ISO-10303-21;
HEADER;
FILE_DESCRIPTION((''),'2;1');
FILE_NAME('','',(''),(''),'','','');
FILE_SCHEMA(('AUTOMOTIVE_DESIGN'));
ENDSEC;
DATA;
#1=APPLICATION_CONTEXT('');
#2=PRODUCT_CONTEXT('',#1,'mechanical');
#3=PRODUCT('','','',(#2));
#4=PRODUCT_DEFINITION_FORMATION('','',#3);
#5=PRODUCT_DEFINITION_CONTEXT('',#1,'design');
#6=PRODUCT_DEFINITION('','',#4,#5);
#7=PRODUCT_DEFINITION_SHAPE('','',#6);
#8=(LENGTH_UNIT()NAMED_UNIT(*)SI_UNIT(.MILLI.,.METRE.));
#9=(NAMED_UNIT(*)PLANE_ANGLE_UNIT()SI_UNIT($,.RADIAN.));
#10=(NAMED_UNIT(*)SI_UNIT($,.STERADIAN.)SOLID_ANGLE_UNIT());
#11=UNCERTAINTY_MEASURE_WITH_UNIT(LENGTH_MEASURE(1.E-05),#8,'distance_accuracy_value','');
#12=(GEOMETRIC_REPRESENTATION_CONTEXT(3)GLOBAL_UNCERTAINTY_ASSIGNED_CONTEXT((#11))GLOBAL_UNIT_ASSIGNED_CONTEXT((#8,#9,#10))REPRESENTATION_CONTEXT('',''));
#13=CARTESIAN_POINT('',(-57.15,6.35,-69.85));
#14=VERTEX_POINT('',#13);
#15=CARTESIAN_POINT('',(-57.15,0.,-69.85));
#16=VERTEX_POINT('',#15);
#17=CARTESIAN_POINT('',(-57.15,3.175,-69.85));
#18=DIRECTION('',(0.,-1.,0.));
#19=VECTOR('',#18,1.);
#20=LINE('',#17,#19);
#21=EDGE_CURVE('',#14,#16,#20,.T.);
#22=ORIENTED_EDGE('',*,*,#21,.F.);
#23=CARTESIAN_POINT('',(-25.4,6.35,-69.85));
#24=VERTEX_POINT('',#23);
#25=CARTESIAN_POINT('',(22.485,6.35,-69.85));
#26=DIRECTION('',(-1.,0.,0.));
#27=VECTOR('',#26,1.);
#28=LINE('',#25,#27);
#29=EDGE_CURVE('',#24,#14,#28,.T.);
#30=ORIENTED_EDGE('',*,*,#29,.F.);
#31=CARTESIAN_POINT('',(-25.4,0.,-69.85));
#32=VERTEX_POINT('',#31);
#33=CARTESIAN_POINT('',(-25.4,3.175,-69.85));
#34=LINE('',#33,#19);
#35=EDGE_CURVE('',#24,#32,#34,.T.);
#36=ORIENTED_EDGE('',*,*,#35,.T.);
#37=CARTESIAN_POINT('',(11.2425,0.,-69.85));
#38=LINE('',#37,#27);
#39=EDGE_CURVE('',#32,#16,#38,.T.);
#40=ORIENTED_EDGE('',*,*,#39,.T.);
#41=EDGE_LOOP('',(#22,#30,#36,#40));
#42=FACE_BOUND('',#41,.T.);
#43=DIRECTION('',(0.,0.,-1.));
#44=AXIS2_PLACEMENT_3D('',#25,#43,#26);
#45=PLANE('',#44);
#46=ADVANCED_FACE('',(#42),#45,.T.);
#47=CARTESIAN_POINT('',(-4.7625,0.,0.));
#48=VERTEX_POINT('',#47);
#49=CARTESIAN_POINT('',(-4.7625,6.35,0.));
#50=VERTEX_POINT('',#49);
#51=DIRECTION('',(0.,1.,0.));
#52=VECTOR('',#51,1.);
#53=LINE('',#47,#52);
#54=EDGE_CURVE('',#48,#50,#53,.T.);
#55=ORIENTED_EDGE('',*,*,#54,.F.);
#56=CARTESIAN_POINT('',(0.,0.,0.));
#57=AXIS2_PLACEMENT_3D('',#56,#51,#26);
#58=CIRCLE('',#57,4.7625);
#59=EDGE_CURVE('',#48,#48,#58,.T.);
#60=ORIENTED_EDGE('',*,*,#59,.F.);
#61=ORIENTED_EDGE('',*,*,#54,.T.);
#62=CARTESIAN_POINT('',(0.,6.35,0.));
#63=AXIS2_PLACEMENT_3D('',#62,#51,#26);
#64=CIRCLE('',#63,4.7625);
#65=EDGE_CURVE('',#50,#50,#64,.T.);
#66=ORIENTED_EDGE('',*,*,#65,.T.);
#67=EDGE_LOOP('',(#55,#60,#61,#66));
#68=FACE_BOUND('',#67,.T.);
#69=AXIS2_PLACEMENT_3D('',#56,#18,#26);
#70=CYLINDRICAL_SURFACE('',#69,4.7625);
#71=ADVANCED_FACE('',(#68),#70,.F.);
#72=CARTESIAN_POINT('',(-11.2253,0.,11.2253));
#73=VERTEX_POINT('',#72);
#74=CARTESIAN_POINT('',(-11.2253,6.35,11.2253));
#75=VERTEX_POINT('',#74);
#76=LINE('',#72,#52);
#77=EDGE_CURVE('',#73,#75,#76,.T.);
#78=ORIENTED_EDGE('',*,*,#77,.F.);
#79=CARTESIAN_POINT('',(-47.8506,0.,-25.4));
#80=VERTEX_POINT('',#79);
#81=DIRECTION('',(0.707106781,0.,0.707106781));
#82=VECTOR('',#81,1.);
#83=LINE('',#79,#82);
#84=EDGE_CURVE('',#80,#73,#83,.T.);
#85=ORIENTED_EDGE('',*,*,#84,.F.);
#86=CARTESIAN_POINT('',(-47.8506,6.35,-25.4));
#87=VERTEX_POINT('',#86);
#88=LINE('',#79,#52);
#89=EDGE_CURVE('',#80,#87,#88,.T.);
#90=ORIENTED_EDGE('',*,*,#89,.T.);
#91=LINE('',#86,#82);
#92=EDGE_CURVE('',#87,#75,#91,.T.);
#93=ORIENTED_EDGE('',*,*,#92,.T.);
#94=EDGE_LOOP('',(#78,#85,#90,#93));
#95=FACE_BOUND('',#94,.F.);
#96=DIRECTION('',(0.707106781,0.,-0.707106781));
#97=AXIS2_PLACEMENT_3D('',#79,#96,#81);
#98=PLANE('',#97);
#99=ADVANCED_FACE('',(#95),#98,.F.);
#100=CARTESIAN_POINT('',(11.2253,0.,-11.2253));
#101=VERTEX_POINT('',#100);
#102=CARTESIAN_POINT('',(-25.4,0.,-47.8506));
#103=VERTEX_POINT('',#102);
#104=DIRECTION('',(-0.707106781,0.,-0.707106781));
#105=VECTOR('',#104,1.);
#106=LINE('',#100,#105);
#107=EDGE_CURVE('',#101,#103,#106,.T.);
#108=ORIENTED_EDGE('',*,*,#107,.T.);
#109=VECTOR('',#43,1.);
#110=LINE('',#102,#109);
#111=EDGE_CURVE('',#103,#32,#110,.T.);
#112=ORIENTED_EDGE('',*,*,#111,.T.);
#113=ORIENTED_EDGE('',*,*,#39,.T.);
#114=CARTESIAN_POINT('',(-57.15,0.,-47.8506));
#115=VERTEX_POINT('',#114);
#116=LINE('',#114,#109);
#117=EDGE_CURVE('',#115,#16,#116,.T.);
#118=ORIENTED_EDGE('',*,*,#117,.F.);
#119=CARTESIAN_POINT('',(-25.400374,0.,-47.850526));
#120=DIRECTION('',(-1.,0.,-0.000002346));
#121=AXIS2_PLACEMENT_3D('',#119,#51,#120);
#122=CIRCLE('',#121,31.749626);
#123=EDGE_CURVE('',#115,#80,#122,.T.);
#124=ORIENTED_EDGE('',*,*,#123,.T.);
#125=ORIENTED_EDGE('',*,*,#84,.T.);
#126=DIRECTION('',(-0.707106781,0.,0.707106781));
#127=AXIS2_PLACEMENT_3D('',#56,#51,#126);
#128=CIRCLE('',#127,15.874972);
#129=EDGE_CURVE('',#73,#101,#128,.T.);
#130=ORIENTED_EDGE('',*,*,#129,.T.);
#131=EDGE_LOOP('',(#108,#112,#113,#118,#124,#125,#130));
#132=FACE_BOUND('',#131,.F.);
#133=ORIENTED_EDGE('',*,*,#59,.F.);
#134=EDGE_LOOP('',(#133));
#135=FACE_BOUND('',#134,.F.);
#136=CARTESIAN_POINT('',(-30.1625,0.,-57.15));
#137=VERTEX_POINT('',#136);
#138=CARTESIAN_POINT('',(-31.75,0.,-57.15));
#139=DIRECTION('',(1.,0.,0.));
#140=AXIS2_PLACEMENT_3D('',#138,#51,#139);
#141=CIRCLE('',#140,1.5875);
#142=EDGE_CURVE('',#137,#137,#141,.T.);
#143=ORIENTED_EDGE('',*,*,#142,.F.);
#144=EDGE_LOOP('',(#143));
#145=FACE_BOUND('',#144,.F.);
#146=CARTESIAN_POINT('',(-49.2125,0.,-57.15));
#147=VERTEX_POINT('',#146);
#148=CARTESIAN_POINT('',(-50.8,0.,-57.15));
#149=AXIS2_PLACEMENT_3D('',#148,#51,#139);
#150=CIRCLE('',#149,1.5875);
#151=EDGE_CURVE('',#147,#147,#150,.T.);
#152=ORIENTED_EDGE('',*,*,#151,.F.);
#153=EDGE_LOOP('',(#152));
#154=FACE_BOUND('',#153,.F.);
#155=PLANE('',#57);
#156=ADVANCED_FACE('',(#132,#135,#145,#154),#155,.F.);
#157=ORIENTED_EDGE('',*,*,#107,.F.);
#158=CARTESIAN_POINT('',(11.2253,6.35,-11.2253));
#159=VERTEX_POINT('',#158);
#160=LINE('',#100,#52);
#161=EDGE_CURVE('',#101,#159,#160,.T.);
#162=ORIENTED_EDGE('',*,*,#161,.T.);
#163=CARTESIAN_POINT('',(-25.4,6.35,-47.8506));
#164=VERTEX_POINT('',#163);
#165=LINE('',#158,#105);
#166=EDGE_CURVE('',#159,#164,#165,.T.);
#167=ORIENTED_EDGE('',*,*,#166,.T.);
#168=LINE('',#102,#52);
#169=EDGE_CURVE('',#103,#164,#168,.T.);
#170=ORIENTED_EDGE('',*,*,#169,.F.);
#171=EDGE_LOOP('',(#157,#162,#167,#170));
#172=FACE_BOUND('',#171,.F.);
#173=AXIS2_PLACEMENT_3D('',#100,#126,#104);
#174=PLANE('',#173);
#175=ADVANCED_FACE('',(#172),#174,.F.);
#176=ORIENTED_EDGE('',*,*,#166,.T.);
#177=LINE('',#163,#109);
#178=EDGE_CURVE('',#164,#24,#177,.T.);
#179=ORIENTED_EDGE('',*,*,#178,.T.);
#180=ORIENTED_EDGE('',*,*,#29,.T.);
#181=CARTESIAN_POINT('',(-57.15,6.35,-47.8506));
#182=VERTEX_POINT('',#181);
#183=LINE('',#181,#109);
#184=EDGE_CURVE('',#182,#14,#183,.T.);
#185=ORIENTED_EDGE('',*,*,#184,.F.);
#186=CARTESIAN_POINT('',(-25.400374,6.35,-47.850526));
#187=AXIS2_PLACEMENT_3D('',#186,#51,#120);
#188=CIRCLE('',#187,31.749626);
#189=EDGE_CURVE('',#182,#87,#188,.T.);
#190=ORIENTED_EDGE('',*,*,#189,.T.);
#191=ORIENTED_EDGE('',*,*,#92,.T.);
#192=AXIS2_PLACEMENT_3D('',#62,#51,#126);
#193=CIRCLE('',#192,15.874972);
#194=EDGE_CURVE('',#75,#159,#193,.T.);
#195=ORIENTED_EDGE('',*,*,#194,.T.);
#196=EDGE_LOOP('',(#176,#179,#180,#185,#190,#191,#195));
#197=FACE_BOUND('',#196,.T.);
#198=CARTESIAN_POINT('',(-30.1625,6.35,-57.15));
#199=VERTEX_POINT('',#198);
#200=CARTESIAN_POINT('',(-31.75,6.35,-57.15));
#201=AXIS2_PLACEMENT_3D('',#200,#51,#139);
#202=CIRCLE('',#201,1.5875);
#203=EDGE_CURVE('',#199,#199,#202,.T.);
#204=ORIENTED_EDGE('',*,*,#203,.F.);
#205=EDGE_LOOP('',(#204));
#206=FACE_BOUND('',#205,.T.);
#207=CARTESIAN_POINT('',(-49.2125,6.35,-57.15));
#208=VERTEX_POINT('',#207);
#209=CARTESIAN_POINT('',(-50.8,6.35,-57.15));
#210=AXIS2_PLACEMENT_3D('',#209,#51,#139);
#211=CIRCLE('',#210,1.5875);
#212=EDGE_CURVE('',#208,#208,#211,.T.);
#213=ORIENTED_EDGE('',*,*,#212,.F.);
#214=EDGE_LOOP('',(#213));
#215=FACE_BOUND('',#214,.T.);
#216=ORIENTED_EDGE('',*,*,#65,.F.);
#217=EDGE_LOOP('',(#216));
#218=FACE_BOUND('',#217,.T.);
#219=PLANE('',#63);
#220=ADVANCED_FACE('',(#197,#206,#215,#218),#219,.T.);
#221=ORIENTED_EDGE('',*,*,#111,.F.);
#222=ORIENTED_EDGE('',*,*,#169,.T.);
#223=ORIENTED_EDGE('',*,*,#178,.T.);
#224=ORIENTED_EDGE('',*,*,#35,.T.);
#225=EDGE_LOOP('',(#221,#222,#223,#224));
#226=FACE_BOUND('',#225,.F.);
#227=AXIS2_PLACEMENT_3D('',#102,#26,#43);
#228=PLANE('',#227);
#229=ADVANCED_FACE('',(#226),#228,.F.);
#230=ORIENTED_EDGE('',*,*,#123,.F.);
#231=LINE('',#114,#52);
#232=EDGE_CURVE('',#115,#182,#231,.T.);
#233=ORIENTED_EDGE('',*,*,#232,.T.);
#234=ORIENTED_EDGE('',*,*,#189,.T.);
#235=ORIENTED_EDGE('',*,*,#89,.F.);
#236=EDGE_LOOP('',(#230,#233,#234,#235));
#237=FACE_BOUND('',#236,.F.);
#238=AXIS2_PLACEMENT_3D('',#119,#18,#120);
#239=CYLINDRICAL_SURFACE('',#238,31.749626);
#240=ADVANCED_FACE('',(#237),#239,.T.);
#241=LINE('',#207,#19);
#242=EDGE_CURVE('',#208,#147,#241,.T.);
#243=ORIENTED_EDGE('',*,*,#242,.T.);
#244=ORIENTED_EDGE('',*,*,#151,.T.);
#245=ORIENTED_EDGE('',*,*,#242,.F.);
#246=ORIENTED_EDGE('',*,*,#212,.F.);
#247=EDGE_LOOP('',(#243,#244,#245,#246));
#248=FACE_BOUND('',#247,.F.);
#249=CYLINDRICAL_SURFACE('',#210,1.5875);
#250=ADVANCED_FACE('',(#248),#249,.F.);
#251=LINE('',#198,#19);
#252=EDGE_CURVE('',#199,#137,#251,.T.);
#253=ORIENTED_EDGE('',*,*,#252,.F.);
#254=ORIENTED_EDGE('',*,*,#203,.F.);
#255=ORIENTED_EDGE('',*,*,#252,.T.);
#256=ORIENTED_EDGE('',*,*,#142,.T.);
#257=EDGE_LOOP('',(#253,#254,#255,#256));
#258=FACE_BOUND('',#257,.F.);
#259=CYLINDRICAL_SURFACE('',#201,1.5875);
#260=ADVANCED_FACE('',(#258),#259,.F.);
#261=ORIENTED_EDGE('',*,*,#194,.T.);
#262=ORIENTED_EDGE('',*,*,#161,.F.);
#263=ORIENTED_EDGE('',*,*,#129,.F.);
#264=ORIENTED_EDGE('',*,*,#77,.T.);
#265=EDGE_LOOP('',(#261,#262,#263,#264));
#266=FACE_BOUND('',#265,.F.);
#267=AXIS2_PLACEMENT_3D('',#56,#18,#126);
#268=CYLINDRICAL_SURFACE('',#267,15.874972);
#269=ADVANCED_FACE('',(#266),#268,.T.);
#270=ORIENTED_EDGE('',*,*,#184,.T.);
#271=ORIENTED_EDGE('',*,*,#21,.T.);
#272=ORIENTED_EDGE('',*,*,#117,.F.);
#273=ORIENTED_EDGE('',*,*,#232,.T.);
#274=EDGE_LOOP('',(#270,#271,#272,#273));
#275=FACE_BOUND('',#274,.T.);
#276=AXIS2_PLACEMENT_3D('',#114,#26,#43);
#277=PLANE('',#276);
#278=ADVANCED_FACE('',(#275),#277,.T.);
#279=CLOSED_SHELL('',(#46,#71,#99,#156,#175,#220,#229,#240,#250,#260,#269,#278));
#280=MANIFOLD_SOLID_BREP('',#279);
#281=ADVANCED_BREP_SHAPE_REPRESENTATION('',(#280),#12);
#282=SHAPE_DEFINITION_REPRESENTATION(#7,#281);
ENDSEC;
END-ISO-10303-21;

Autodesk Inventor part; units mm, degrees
ref_plane "YZ Plane" through (0, 0, 0) normal (1, 0, 0) x (0, 1, 0)
ref_plane "XZ Plane" through (0, 0, 0) normal (0, 1, 0) x (-1, 0, 0)
ref_plane "XY Plane" through (0, 0, 0) normal (0, 0, 1) x (1, 0, 0)
sketch "Sketch1" plane through (0, 0, 0) normal (0, 1, 0) x (-1, 0, 0)
  circle A0 centre (0, 0) radius 4.7625
  line L0 (0, -228.6) -> (0, 0) construction
  line L1 (15.875, -228.6) -> (0, -228.6) construction
  circle A1 centre (15.875, -228.6) radius 7.9375
  line L2 (25.4, -47.8506) -> (25.4, -212.725)
  line L3 (57.15, -47.8506) -> (57.15, -212.725)
  line L4 (25.4, -212.725) -> (15.875, -212.725)
  arc A2 (15.875, -212.725) -> (15.875, -244.475) centre (15.875, -228.6) ccw
  line L5 (15.875, -244.475) -> (25.4, -244.475)
  arc A3 (25.4, -244.475) -> (57.15, -212.725) centre (25.4, -212.725) ccw
  line L6 (57.15, -130.2878) -> (25.4, -130.2878) construction
  arc A4 (11.2253, 11.2253) -> (-11.2253, -11.2253) centre (0, 0) ccw
  line L7 (-11.2253, -11.2253) -> (25.4, -47.8506)
  arc A5 (57.15, -47.8506) -> (47.8506, -25.4) centre (25.4, -47.8506) ccw
  line L8 (47.8506, -25.4) -> (11.2253, 11.2253)
  line L9 (41.275, -130.2878) -> (41.275, -240.2213) construction
  line L10 (41.275, -130.2878) -> (41.275, -18.8244) construction
  dimension "d0" = 9.525
  dimension "d2" = 228.6
  dimension "d7" = 15.875
  dimension "d17" = 31.75
  dimension "d18" = 45
  dimension "d19" = 25.4
  dimension "d20" = 25.4
extrude "Extrusion1" add sketch "Sketch1" along normal blind 6.35
sketch "Sketch2" plane through (0, 6.35, 0) normal (0, 1, 0) x (1, 0, 0)
  line L0 (-69.0057, 276.0917) -> (22.485, 276.0917)
  line L1 (22.485, 276.0917) -> (22.485, 69.85)
  line L2 (22.485, 69.85) -> (-69.0057, 69.85)
  line L3 (-69.0057, 69.85) -> (-69.0057, 276.0917)
  point P0 (0, 0)
  dimension "d21" = 69.85
extrude "Extrusion2" cut sketch "Sketch2" against normal through all
sketch "Sketch3" plane through (0, 6.35, 0) normal (0, 1, 0) x (1, 0, 0)
  line L0 (-25.4, 47.8506) -> (-25.4, 69.85) construction
  line L1 (-25.4, 47.8506) -> (-25.4, 69.85) construction
  line L2 (-25.4, 57.15) -> (-57.15, 57.15) construction
  line L3 (-25.4, 69.85) -> (-57.15, 69.85) construction
  line L4 (-41.275, 69.85) -> (-41.275, 57.15) construction
  circle A0 centre (-50.8, 57.15) radius 1.5875
  circle A1 centre (-31.75, 57.15) radius 1.5875
  point P0 (0, 0)
  dimension "d24" = 12.7
  dimension "d26" = 3.175
  dimension "d27" = 19.05
extrude "Extrusion3" cut sketch "Sketch3" against normal through all
properties part number "Cross Arms"
